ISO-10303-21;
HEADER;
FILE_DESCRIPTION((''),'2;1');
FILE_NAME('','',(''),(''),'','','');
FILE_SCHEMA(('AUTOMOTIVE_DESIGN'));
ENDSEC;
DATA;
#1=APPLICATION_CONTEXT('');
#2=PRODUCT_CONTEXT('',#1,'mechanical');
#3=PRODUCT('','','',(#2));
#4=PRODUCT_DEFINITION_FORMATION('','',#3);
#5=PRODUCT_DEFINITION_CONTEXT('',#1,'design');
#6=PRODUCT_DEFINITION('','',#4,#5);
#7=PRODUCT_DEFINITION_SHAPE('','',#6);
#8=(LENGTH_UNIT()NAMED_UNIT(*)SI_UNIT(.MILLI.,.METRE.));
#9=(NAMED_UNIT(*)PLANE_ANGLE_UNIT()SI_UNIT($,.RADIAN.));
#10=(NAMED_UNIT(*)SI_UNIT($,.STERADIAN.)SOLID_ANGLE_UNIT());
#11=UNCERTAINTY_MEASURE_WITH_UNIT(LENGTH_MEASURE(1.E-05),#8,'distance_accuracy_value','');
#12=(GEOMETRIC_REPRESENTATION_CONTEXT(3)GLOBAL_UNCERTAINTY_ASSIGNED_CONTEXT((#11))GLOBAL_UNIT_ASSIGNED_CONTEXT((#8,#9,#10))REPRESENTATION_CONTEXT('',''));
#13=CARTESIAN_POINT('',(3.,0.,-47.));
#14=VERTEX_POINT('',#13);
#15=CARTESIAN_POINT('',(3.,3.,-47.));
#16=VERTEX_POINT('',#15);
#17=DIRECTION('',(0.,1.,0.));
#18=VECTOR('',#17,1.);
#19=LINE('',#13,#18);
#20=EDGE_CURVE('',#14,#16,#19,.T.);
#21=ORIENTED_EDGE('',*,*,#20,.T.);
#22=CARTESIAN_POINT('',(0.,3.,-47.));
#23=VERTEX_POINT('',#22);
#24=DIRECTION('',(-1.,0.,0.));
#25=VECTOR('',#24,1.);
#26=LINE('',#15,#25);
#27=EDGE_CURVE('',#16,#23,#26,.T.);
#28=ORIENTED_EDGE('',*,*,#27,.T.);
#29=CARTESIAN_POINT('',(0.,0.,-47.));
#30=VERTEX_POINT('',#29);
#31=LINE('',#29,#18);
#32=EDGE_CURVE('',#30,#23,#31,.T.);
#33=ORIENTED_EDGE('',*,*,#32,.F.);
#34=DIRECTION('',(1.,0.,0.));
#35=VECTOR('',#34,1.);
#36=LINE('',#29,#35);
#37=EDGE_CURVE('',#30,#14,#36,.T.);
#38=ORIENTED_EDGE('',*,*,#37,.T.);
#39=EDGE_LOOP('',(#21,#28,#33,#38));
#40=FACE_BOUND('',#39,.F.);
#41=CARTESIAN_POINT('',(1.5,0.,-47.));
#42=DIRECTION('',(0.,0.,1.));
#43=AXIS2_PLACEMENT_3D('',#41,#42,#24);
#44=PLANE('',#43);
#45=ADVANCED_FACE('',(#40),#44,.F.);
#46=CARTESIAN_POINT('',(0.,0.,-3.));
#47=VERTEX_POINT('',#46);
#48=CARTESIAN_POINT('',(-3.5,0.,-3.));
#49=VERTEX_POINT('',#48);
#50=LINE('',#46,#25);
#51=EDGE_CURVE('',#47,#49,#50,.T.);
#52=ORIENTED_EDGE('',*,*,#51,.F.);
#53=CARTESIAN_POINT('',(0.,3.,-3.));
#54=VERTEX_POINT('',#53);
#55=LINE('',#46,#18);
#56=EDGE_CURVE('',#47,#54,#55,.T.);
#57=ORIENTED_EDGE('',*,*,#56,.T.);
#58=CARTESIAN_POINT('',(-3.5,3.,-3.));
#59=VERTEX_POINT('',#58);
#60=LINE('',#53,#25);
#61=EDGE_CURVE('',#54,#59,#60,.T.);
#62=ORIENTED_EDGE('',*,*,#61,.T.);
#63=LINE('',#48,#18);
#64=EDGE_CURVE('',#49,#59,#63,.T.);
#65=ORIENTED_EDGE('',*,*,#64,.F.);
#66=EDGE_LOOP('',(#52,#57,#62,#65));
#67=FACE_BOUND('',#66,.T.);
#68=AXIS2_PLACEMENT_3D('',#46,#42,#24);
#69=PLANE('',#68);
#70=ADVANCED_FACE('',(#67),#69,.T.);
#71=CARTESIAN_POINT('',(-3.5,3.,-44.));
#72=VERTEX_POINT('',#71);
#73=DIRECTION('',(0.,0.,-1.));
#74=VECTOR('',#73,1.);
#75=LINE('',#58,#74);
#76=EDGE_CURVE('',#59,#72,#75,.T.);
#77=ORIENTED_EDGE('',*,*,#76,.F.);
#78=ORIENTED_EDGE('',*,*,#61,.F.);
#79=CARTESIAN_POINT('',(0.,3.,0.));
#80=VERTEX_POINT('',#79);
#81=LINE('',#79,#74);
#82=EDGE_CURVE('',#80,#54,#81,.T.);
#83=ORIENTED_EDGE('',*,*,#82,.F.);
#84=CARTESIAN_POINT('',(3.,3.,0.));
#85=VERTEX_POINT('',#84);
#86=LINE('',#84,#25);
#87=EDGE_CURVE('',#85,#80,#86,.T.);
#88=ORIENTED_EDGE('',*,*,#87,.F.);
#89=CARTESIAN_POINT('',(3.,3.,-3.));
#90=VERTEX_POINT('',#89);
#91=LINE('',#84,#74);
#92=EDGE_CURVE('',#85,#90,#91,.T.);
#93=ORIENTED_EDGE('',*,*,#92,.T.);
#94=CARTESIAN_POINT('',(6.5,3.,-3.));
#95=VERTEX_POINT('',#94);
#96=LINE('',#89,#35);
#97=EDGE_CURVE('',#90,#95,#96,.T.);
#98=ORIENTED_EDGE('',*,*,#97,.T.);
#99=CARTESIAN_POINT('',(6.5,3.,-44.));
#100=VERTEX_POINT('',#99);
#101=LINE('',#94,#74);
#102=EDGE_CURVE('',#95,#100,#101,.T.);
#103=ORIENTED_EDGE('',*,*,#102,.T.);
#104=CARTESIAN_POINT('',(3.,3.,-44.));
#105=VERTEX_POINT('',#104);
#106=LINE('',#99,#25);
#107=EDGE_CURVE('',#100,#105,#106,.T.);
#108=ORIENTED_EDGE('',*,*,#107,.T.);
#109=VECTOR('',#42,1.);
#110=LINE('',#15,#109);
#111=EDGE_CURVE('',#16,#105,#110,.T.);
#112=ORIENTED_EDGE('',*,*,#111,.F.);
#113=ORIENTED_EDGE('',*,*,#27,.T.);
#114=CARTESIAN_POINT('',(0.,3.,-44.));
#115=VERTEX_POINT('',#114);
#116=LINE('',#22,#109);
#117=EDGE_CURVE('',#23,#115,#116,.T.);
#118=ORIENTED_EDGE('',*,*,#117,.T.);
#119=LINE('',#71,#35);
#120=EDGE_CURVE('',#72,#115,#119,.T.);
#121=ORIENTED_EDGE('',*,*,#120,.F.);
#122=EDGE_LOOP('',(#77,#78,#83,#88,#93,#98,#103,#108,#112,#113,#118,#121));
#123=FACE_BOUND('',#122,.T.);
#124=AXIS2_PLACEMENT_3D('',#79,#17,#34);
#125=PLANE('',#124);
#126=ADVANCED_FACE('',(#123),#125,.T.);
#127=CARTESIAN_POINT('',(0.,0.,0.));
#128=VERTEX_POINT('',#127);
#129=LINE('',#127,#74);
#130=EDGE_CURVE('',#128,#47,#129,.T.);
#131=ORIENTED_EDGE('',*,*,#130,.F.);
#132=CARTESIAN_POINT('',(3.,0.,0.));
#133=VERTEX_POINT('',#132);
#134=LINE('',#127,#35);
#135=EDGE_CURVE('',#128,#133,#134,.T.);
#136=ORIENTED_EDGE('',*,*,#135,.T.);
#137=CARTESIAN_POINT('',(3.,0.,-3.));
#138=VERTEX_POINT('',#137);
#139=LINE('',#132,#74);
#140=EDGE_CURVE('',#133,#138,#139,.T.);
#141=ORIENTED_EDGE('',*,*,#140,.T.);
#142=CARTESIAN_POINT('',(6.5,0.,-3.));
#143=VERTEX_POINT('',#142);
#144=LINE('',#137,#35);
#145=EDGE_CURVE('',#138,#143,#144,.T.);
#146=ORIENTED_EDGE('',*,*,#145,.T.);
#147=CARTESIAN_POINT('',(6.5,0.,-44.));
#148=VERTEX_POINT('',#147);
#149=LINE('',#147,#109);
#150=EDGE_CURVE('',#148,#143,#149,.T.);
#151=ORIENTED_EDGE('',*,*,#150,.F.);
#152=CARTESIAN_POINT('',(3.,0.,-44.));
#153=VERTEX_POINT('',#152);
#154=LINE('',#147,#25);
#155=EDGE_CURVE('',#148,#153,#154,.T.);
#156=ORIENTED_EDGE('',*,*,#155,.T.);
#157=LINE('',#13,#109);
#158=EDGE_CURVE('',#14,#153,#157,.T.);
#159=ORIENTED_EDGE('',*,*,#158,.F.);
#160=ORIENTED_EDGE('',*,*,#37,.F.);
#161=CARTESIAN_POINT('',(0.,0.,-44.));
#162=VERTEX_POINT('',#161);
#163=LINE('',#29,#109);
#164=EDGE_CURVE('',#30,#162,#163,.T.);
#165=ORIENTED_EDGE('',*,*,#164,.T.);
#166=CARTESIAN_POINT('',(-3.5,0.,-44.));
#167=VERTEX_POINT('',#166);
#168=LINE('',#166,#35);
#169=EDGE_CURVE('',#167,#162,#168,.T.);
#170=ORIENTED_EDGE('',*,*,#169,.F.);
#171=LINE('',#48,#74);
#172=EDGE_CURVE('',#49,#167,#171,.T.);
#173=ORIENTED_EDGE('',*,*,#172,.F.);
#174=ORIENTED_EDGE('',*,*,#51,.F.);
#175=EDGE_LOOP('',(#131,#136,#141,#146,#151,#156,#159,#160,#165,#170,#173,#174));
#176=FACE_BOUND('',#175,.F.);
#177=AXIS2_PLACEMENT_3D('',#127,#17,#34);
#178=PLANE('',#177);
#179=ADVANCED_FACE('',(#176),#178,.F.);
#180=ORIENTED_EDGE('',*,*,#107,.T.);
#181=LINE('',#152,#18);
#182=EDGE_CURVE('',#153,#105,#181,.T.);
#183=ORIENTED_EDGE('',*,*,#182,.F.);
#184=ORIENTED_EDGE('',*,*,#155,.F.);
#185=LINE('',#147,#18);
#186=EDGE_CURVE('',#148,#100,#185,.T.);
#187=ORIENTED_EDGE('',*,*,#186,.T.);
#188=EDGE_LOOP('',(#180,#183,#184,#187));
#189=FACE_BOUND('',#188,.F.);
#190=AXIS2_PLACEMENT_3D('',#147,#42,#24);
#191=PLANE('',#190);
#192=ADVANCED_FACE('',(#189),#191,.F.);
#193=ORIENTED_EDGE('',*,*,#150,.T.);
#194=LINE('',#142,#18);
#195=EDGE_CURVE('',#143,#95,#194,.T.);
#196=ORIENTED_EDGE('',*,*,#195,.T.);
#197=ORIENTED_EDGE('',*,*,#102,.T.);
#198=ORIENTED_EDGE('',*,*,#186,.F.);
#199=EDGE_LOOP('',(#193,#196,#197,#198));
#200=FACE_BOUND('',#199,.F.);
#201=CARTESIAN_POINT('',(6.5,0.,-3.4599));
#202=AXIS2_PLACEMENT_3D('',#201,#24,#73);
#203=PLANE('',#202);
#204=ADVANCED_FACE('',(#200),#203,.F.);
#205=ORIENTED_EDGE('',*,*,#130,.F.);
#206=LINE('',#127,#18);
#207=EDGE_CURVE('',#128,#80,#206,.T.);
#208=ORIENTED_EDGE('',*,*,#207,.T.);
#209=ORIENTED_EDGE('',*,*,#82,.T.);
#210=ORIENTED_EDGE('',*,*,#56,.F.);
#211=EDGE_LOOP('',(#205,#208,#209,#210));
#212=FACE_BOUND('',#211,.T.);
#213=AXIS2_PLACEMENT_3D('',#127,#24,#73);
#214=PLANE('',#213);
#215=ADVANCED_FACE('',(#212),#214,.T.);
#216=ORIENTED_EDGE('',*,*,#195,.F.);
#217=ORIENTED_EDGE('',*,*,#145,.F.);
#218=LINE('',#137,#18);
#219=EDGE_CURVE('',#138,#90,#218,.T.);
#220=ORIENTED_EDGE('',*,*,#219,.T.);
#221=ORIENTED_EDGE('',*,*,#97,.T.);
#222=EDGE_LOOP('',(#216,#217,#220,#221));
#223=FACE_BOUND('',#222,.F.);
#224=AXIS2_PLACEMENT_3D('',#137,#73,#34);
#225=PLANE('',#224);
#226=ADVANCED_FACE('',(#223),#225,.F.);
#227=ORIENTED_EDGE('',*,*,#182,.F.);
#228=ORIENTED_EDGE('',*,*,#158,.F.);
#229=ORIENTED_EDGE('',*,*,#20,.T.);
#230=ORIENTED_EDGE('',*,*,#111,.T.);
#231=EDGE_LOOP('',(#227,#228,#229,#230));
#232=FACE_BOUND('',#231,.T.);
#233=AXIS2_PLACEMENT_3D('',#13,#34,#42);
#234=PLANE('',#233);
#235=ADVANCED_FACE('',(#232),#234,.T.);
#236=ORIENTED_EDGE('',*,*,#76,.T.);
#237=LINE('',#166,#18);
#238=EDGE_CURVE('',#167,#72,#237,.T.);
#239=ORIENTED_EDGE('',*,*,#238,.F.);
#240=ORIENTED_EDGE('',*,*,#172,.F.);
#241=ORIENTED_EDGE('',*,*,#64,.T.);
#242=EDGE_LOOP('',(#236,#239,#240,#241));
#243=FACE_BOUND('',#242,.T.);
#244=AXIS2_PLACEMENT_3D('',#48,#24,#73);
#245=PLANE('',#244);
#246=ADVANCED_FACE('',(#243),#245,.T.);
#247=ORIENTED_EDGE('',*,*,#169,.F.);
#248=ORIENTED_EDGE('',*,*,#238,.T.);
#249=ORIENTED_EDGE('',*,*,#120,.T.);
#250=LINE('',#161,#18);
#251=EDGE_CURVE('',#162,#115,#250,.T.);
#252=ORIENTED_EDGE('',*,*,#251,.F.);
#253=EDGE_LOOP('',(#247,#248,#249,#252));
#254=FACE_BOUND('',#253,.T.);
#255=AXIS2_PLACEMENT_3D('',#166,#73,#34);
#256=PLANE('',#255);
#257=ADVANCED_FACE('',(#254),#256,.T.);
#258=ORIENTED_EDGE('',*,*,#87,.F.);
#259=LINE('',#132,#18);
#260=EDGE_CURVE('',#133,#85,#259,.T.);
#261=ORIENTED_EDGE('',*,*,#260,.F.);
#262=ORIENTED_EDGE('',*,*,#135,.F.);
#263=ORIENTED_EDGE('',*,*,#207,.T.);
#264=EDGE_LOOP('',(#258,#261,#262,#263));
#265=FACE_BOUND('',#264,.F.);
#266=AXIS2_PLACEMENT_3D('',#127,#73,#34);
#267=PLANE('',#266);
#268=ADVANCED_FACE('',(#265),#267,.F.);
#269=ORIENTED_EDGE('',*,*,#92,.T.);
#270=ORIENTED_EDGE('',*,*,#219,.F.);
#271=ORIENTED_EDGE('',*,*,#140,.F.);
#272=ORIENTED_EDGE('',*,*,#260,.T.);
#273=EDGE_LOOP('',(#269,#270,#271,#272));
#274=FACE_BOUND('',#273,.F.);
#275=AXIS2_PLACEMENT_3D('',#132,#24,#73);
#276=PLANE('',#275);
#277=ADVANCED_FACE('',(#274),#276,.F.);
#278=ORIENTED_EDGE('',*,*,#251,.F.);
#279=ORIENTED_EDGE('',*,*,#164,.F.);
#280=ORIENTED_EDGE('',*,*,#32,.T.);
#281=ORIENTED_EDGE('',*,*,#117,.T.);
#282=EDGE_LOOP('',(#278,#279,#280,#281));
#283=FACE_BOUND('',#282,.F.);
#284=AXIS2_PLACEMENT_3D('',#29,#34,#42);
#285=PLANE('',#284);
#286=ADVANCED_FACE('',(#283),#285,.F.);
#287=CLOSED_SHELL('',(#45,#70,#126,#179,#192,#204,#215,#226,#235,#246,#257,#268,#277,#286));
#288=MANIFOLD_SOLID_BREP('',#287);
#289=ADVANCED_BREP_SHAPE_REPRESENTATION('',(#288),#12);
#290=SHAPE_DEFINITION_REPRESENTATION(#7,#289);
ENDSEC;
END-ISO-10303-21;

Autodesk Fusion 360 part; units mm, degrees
sketch "Skizze1" plane through (0, 0, 0) normal (0, 1, 0) x (1, 0, 0)
  line L0 (0, 0) -> (3, 0)
  line L1 (3, 0) -> (3, 3)
  line L2 (0, 0) -> (0, 3)
  line L3 (3, 3) -> (6.5, 3)
  line L4 (6.5, 3) -> (6.5, 3.4599)
  line L5 (0, 3) -> (-3.5, 3)
  line L6 (1.5, 0) -> (1.5, 47)
  line L7 (1.5, 47) -> (3, 47)
  line L8 (3, 47) -> (0, 47)
  line L9 (0, 47) -> (0, 44)
  line L10 (3, 47) -> (3, 44)
  line L11 (6.5, 3) -> (6.5, 44)
  line L12 (6.5, 44) -> (3, 44)
  line L13 (-3.5, 3) -> (-3.5, 44)
  line L14 (-3.5, 44) -> (0, 44)
  dimension "d1" = 3
  dimension "d2" = 3
  dimension "d3" = 3
  dimension "d4" = 3.5
  dimension "d5" = 3.5
  dimension "d6" = 47
  dimension "d7" = 1.5
  dimension "d8" = 3
  dimension "d9" = 3
extrude "Extrusion1" add sketch "Skizze1" along normal blind 3
